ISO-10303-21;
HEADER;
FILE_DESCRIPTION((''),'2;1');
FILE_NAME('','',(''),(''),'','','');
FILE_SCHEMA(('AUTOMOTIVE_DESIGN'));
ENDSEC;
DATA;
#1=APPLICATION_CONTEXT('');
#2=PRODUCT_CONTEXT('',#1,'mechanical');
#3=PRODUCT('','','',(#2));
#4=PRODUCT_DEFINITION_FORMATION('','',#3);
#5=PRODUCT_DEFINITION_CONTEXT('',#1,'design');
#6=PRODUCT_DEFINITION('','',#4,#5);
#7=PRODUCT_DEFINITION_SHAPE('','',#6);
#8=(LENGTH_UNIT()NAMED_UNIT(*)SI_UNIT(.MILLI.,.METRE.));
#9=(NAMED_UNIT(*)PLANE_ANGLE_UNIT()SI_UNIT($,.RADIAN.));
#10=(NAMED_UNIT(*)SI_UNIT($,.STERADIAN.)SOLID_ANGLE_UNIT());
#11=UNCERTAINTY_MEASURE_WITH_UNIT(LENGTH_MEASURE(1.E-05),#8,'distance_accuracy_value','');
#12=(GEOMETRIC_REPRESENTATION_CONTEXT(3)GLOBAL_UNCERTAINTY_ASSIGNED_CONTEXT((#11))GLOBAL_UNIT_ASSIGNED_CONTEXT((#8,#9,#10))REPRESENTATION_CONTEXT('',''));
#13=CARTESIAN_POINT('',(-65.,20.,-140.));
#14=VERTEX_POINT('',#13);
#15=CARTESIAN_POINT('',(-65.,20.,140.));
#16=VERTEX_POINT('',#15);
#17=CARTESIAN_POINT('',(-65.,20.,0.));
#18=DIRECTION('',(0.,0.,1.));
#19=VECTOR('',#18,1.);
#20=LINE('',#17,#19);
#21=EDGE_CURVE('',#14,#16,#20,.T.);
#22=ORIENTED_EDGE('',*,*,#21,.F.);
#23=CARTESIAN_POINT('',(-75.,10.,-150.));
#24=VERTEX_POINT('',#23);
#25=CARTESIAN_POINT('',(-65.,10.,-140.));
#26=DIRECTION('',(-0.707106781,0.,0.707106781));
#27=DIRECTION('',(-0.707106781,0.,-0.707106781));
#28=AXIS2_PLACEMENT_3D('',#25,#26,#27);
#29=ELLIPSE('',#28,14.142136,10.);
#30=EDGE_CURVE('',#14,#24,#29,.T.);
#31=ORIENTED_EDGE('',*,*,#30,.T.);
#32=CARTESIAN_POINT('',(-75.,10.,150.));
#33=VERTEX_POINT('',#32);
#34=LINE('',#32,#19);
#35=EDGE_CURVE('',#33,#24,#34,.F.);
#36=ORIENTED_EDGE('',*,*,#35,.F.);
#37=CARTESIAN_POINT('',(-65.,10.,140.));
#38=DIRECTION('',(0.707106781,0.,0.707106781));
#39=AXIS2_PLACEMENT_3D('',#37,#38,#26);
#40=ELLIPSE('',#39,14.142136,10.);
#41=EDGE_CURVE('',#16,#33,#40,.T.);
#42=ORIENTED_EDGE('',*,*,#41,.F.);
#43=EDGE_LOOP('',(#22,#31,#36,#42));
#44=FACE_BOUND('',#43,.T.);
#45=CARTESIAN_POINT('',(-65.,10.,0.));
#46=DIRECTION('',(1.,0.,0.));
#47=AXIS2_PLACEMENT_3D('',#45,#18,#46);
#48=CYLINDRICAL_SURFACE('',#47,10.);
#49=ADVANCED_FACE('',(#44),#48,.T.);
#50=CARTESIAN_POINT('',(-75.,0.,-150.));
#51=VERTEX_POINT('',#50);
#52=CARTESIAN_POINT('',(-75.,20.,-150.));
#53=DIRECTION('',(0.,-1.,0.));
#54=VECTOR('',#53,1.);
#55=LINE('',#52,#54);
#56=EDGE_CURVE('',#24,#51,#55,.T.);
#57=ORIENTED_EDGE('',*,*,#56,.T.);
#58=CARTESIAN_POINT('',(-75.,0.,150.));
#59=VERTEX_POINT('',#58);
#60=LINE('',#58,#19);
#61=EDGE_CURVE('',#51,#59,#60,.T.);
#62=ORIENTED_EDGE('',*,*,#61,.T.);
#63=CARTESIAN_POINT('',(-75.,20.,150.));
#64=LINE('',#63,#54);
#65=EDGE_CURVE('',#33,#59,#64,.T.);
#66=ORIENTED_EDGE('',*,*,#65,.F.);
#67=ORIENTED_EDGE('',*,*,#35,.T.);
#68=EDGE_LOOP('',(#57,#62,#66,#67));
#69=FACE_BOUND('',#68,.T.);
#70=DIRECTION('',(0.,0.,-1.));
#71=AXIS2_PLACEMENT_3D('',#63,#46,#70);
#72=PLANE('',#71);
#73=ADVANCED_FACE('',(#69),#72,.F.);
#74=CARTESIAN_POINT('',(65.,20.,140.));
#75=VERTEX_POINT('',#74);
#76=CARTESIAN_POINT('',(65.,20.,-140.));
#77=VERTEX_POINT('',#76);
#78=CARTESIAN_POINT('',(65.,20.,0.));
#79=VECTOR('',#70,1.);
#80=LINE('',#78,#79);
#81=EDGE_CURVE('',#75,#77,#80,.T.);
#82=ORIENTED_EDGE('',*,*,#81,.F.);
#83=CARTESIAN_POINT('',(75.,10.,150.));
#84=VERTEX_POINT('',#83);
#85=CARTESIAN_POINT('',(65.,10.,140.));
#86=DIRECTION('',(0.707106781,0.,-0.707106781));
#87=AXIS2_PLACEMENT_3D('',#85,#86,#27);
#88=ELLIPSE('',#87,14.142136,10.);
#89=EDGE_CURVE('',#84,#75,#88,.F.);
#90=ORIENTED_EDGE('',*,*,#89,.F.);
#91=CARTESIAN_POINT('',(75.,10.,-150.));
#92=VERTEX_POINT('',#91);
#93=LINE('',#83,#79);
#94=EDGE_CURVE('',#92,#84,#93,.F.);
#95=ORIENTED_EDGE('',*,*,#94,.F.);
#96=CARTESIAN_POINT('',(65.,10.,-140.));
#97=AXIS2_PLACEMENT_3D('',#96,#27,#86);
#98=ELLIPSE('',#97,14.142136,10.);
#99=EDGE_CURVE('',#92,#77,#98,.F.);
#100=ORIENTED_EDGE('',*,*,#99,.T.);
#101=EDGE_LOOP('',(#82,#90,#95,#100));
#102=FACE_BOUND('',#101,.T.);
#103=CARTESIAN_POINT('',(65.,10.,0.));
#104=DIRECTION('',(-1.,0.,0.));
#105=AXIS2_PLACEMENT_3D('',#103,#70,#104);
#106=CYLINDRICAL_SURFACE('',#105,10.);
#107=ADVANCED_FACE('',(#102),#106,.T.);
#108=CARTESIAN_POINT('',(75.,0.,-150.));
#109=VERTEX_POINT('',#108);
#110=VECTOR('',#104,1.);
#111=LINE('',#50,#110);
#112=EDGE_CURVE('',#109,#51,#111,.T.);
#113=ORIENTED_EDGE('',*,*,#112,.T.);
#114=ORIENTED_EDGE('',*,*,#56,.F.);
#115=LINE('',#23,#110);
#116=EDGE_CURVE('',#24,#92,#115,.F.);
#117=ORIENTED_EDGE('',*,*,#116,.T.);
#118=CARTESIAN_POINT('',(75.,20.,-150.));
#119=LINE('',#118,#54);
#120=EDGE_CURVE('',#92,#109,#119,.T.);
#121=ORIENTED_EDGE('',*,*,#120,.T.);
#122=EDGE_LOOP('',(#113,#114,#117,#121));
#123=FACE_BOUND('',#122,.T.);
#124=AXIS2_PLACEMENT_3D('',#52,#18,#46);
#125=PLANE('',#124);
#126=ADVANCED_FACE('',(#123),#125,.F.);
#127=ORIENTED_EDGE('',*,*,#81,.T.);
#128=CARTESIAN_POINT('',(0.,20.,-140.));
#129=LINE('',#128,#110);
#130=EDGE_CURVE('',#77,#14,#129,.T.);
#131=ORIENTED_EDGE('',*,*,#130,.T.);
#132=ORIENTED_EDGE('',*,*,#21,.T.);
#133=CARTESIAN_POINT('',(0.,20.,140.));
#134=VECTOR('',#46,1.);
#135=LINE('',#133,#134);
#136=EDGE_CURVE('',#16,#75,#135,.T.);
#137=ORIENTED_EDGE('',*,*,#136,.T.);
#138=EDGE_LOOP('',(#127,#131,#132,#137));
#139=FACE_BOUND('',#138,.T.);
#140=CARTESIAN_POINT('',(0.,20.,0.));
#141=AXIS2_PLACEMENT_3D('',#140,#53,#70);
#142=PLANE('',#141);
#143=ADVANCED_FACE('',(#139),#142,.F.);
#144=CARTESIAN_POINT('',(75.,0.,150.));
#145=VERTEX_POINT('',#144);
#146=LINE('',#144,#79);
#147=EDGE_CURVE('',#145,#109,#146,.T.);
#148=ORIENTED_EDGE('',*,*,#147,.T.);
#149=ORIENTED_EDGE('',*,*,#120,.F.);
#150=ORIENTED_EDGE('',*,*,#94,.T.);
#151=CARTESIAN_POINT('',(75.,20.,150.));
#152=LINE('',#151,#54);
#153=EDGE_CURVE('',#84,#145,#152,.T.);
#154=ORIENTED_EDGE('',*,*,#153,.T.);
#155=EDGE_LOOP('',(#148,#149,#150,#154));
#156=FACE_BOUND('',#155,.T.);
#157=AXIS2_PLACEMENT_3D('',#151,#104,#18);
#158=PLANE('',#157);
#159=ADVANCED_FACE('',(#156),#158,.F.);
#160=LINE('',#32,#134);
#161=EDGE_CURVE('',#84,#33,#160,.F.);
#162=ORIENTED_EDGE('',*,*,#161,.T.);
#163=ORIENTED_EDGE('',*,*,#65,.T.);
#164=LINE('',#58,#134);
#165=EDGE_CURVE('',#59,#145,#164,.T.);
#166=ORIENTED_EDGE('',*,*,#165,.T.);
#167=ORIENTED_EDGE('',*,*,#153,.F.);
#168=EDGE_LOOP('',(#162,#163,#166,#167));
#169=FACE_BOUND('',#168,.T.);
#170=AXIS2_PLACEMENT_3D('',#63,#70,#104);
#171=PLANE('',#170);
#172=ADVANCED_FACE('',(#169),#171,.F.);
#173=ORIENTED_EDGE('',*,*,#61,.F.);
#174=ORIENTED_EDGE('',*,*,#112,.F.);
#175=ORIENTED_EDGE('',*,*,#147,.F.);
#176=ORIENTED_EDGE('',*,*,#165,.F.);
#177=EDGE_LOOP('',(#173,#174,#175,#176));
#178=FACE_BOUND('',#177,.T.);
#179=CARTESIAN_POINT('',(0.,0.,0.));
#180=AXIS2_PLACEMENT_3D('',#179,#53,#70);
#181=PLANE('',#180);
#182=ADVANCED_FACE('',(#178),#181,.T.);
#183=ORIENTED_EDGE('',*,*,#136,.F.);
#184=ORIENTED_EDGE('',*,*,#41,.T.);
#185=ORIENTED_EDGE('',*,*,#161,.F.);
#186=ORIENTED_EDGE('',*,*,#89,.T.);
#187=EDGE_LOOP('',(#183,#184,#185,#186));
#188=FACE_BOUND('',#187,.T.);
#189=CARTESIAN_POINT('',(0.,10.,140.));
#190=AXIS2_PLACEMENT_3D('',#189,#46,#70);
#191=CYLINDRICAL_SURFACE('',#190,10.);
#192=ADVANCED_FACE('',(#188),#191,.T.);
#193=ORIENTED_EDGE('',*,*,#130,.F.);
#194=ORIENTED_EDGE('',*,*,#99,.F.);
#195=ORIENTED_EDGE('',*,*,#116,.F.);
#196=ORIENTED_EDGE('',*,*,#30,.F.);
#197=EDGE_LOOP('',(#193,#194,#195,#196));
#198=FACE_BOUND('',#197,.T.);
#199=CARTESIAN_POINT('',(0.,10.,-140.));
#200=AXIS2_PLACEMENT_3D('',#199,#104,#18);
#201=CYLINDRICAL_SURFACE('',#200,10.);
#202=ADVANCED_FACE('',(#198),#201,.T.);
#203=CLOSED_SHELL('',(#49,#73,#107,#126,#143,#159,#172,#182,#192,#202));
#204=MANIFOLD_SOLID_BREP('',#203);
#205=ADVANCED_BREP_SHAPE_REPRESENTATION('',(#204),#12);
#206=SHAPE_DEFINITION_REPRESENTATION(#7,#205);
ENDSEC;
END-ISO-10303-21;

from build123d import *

# Parameters (mm, degrees)
SKETCH1_W           = 150
SKETCH1_H           = 300
BOSS_EXTRUDE1_DEPTH = 20
FILLET1_R           = 10


with BuildPart() as part:
    # Sketch1 → Boss-Extrude1 (new body)
    with BuildSketch(Plane(origin=(0, 0, 0), x_dir=(1, 0, 0), z_dir=(0, 1, 0))):
        Rectangle(SKETCH1_W, SKETCH1_H)
    extrude(amount=BOSS_EXTRUDE1_DEPTH)

    # Fillet1
    fillet1_edges = [part.edges().sort_by_distance(p)[0] for p in [
        (-75, 20, 0),
        (0, 20, 150),
        (75, 20, 0),
        (0, 20, -150),
    ]]
    fillet(fillet1_edges, radius=FILLET1_R)


solid = part.part
